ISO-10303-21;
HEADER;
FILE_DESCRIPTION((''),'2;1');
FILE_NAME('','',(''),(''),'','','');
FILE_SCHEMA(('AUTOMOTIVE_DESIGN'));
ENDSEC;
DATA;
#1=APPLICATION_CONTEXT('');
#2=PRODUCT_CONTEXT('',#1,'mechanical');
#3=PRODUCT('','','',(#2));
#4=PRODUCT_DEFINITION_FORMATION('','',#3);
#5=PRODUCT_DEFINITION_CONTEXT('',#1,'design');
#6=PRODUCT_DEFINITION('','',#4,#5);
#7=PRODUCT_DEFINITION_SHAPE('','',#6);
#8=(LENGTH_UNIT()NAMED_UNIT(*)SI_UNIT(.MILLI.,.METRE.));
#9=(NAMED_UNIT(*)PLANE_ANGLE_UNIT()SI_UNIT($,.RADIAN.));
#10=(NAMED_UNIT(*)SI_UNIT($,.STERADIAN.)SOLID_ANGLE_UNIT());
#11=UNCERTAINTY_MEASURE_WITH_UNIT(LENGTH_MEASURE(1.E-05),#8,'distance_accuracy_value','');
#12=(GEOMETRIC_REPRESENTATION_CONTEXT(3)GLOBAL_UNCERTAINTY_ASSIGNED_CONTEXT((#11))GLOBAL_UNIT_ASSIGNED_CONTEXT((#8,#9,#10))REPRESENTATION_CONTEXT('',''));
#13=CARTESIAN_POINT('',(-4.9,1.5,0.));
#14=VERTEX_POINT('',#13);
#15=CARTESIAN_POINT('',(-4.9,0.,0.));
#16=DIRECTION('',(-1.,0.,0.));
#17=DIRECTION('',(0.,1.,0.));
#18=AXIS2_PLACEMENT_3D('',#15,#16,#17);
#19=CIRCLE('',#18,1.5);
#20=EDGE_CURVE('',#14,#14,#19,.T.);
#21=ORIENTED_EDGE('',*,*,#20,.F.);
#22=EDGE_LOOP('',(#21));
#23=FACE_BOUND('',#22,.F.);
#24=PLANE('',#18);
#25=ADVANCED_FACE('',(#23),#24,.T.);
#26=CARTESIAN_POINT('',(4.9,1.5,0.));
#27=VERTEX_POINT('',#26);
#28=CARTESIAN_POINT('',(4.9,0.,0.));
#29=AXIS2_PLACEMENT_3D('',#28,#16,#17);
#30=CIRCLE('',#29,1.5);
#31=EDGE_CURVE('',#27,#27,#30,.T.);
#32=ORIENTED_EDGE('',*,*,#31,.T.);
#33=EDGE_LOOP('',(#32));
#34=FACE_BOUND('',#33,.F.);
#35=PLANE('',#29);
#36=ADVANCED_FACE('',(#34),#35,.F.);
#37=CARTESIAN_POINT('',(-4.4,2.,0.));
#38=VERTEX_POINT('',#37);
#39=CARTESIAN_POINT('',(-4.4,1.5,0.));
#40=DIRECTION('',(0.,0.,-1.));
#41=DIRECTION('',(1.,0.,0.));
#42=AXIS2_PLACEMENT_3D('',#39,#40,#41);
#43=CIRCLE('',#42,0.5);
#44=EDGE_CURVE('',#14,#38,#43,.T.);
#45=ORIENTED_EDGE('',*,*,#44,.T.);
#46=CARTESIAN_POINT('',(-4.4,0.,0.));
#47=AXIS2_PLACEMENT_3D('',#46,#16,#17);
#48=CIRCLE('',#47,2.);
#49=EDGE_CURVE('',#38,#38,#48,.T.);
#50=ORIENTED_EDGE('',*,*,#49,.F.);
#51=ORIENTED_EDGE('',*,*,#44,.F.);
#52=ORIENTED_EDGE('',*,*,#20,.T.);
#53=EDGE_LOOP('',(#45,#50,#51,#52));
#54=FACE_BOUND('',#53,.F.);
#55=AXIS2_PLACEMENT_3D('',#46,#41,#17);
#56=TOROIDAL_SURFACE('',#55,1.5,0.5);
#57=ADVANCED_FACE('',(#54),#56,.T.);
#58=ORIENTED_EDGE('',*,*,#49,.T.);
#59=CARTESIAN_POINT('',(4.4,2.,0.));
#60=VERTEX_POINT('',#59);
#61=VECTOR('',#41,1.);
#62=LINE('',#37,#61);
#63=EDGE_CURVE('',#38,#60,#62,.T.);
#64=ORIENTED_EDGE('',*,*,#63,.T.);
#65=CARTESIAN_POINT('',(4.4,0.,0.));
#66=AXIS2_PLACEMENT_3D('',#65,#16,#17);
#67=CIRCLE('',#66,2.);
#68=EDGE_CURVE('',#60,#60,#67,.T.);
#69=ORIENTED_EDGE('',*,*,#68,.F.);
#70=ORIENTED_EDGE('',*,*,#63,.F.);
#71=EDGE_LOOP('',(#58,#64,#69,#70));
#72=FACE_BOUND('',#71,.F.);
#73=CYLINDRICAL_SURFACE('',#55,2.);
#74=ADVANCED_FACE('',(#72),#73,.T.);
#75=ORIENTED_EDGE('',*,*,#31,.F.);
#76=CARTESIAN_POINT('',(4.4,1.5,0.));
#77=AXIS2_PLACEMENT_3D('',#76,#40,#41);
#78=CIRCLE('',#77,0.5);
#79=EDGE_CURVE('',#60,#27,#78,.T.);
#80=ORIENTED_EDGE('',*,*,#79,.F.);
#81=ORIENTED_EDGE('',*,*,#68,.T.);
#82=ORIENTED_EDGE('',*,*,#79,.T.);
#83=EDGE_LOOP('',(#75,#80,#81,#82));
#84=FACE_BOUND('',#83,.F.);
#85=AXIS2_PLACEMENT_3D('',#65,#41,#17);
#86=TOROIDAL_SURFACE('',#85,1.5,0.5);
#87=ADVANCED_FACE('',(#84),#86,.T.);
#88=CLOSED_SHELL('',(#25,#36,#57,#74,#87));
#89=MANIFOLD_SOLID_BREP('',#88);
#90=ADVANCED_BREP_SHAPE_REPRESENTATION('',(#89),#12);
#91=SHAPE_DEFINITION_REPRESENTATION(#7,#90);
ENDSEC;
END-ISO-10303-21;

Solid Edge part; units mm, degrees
sketch "Sketch1" plane through (0, 0, 0) normal (0, 0, 1) x (1, 0, 0)
  line L0 (-4.9, 0) -> (-4.9, 1.5)
  arc A0 (-4.9, 1.5) -> (-4.4, 2) centre (-4.4, 1.5) cw
  line L1 (-4.4, 2) -> (4.4, 2)
  arc A1 (4.4, 2) -> (4.9, 1.5) centre (4.4, 1.5) cw
  line L2 (4.9, 1.5) -> (4.9, 0)
  line L3 (4.9, 0) -> (-4.9, 0)
revolve "RevolvedProtrusion1" add sketch "Sketch1" angle 360 about axis through (4.9, 0, 0) along (-1, 0, 0)
properties part number "NA 4906UU Roler" material "Aluminio, 7075-T6"
